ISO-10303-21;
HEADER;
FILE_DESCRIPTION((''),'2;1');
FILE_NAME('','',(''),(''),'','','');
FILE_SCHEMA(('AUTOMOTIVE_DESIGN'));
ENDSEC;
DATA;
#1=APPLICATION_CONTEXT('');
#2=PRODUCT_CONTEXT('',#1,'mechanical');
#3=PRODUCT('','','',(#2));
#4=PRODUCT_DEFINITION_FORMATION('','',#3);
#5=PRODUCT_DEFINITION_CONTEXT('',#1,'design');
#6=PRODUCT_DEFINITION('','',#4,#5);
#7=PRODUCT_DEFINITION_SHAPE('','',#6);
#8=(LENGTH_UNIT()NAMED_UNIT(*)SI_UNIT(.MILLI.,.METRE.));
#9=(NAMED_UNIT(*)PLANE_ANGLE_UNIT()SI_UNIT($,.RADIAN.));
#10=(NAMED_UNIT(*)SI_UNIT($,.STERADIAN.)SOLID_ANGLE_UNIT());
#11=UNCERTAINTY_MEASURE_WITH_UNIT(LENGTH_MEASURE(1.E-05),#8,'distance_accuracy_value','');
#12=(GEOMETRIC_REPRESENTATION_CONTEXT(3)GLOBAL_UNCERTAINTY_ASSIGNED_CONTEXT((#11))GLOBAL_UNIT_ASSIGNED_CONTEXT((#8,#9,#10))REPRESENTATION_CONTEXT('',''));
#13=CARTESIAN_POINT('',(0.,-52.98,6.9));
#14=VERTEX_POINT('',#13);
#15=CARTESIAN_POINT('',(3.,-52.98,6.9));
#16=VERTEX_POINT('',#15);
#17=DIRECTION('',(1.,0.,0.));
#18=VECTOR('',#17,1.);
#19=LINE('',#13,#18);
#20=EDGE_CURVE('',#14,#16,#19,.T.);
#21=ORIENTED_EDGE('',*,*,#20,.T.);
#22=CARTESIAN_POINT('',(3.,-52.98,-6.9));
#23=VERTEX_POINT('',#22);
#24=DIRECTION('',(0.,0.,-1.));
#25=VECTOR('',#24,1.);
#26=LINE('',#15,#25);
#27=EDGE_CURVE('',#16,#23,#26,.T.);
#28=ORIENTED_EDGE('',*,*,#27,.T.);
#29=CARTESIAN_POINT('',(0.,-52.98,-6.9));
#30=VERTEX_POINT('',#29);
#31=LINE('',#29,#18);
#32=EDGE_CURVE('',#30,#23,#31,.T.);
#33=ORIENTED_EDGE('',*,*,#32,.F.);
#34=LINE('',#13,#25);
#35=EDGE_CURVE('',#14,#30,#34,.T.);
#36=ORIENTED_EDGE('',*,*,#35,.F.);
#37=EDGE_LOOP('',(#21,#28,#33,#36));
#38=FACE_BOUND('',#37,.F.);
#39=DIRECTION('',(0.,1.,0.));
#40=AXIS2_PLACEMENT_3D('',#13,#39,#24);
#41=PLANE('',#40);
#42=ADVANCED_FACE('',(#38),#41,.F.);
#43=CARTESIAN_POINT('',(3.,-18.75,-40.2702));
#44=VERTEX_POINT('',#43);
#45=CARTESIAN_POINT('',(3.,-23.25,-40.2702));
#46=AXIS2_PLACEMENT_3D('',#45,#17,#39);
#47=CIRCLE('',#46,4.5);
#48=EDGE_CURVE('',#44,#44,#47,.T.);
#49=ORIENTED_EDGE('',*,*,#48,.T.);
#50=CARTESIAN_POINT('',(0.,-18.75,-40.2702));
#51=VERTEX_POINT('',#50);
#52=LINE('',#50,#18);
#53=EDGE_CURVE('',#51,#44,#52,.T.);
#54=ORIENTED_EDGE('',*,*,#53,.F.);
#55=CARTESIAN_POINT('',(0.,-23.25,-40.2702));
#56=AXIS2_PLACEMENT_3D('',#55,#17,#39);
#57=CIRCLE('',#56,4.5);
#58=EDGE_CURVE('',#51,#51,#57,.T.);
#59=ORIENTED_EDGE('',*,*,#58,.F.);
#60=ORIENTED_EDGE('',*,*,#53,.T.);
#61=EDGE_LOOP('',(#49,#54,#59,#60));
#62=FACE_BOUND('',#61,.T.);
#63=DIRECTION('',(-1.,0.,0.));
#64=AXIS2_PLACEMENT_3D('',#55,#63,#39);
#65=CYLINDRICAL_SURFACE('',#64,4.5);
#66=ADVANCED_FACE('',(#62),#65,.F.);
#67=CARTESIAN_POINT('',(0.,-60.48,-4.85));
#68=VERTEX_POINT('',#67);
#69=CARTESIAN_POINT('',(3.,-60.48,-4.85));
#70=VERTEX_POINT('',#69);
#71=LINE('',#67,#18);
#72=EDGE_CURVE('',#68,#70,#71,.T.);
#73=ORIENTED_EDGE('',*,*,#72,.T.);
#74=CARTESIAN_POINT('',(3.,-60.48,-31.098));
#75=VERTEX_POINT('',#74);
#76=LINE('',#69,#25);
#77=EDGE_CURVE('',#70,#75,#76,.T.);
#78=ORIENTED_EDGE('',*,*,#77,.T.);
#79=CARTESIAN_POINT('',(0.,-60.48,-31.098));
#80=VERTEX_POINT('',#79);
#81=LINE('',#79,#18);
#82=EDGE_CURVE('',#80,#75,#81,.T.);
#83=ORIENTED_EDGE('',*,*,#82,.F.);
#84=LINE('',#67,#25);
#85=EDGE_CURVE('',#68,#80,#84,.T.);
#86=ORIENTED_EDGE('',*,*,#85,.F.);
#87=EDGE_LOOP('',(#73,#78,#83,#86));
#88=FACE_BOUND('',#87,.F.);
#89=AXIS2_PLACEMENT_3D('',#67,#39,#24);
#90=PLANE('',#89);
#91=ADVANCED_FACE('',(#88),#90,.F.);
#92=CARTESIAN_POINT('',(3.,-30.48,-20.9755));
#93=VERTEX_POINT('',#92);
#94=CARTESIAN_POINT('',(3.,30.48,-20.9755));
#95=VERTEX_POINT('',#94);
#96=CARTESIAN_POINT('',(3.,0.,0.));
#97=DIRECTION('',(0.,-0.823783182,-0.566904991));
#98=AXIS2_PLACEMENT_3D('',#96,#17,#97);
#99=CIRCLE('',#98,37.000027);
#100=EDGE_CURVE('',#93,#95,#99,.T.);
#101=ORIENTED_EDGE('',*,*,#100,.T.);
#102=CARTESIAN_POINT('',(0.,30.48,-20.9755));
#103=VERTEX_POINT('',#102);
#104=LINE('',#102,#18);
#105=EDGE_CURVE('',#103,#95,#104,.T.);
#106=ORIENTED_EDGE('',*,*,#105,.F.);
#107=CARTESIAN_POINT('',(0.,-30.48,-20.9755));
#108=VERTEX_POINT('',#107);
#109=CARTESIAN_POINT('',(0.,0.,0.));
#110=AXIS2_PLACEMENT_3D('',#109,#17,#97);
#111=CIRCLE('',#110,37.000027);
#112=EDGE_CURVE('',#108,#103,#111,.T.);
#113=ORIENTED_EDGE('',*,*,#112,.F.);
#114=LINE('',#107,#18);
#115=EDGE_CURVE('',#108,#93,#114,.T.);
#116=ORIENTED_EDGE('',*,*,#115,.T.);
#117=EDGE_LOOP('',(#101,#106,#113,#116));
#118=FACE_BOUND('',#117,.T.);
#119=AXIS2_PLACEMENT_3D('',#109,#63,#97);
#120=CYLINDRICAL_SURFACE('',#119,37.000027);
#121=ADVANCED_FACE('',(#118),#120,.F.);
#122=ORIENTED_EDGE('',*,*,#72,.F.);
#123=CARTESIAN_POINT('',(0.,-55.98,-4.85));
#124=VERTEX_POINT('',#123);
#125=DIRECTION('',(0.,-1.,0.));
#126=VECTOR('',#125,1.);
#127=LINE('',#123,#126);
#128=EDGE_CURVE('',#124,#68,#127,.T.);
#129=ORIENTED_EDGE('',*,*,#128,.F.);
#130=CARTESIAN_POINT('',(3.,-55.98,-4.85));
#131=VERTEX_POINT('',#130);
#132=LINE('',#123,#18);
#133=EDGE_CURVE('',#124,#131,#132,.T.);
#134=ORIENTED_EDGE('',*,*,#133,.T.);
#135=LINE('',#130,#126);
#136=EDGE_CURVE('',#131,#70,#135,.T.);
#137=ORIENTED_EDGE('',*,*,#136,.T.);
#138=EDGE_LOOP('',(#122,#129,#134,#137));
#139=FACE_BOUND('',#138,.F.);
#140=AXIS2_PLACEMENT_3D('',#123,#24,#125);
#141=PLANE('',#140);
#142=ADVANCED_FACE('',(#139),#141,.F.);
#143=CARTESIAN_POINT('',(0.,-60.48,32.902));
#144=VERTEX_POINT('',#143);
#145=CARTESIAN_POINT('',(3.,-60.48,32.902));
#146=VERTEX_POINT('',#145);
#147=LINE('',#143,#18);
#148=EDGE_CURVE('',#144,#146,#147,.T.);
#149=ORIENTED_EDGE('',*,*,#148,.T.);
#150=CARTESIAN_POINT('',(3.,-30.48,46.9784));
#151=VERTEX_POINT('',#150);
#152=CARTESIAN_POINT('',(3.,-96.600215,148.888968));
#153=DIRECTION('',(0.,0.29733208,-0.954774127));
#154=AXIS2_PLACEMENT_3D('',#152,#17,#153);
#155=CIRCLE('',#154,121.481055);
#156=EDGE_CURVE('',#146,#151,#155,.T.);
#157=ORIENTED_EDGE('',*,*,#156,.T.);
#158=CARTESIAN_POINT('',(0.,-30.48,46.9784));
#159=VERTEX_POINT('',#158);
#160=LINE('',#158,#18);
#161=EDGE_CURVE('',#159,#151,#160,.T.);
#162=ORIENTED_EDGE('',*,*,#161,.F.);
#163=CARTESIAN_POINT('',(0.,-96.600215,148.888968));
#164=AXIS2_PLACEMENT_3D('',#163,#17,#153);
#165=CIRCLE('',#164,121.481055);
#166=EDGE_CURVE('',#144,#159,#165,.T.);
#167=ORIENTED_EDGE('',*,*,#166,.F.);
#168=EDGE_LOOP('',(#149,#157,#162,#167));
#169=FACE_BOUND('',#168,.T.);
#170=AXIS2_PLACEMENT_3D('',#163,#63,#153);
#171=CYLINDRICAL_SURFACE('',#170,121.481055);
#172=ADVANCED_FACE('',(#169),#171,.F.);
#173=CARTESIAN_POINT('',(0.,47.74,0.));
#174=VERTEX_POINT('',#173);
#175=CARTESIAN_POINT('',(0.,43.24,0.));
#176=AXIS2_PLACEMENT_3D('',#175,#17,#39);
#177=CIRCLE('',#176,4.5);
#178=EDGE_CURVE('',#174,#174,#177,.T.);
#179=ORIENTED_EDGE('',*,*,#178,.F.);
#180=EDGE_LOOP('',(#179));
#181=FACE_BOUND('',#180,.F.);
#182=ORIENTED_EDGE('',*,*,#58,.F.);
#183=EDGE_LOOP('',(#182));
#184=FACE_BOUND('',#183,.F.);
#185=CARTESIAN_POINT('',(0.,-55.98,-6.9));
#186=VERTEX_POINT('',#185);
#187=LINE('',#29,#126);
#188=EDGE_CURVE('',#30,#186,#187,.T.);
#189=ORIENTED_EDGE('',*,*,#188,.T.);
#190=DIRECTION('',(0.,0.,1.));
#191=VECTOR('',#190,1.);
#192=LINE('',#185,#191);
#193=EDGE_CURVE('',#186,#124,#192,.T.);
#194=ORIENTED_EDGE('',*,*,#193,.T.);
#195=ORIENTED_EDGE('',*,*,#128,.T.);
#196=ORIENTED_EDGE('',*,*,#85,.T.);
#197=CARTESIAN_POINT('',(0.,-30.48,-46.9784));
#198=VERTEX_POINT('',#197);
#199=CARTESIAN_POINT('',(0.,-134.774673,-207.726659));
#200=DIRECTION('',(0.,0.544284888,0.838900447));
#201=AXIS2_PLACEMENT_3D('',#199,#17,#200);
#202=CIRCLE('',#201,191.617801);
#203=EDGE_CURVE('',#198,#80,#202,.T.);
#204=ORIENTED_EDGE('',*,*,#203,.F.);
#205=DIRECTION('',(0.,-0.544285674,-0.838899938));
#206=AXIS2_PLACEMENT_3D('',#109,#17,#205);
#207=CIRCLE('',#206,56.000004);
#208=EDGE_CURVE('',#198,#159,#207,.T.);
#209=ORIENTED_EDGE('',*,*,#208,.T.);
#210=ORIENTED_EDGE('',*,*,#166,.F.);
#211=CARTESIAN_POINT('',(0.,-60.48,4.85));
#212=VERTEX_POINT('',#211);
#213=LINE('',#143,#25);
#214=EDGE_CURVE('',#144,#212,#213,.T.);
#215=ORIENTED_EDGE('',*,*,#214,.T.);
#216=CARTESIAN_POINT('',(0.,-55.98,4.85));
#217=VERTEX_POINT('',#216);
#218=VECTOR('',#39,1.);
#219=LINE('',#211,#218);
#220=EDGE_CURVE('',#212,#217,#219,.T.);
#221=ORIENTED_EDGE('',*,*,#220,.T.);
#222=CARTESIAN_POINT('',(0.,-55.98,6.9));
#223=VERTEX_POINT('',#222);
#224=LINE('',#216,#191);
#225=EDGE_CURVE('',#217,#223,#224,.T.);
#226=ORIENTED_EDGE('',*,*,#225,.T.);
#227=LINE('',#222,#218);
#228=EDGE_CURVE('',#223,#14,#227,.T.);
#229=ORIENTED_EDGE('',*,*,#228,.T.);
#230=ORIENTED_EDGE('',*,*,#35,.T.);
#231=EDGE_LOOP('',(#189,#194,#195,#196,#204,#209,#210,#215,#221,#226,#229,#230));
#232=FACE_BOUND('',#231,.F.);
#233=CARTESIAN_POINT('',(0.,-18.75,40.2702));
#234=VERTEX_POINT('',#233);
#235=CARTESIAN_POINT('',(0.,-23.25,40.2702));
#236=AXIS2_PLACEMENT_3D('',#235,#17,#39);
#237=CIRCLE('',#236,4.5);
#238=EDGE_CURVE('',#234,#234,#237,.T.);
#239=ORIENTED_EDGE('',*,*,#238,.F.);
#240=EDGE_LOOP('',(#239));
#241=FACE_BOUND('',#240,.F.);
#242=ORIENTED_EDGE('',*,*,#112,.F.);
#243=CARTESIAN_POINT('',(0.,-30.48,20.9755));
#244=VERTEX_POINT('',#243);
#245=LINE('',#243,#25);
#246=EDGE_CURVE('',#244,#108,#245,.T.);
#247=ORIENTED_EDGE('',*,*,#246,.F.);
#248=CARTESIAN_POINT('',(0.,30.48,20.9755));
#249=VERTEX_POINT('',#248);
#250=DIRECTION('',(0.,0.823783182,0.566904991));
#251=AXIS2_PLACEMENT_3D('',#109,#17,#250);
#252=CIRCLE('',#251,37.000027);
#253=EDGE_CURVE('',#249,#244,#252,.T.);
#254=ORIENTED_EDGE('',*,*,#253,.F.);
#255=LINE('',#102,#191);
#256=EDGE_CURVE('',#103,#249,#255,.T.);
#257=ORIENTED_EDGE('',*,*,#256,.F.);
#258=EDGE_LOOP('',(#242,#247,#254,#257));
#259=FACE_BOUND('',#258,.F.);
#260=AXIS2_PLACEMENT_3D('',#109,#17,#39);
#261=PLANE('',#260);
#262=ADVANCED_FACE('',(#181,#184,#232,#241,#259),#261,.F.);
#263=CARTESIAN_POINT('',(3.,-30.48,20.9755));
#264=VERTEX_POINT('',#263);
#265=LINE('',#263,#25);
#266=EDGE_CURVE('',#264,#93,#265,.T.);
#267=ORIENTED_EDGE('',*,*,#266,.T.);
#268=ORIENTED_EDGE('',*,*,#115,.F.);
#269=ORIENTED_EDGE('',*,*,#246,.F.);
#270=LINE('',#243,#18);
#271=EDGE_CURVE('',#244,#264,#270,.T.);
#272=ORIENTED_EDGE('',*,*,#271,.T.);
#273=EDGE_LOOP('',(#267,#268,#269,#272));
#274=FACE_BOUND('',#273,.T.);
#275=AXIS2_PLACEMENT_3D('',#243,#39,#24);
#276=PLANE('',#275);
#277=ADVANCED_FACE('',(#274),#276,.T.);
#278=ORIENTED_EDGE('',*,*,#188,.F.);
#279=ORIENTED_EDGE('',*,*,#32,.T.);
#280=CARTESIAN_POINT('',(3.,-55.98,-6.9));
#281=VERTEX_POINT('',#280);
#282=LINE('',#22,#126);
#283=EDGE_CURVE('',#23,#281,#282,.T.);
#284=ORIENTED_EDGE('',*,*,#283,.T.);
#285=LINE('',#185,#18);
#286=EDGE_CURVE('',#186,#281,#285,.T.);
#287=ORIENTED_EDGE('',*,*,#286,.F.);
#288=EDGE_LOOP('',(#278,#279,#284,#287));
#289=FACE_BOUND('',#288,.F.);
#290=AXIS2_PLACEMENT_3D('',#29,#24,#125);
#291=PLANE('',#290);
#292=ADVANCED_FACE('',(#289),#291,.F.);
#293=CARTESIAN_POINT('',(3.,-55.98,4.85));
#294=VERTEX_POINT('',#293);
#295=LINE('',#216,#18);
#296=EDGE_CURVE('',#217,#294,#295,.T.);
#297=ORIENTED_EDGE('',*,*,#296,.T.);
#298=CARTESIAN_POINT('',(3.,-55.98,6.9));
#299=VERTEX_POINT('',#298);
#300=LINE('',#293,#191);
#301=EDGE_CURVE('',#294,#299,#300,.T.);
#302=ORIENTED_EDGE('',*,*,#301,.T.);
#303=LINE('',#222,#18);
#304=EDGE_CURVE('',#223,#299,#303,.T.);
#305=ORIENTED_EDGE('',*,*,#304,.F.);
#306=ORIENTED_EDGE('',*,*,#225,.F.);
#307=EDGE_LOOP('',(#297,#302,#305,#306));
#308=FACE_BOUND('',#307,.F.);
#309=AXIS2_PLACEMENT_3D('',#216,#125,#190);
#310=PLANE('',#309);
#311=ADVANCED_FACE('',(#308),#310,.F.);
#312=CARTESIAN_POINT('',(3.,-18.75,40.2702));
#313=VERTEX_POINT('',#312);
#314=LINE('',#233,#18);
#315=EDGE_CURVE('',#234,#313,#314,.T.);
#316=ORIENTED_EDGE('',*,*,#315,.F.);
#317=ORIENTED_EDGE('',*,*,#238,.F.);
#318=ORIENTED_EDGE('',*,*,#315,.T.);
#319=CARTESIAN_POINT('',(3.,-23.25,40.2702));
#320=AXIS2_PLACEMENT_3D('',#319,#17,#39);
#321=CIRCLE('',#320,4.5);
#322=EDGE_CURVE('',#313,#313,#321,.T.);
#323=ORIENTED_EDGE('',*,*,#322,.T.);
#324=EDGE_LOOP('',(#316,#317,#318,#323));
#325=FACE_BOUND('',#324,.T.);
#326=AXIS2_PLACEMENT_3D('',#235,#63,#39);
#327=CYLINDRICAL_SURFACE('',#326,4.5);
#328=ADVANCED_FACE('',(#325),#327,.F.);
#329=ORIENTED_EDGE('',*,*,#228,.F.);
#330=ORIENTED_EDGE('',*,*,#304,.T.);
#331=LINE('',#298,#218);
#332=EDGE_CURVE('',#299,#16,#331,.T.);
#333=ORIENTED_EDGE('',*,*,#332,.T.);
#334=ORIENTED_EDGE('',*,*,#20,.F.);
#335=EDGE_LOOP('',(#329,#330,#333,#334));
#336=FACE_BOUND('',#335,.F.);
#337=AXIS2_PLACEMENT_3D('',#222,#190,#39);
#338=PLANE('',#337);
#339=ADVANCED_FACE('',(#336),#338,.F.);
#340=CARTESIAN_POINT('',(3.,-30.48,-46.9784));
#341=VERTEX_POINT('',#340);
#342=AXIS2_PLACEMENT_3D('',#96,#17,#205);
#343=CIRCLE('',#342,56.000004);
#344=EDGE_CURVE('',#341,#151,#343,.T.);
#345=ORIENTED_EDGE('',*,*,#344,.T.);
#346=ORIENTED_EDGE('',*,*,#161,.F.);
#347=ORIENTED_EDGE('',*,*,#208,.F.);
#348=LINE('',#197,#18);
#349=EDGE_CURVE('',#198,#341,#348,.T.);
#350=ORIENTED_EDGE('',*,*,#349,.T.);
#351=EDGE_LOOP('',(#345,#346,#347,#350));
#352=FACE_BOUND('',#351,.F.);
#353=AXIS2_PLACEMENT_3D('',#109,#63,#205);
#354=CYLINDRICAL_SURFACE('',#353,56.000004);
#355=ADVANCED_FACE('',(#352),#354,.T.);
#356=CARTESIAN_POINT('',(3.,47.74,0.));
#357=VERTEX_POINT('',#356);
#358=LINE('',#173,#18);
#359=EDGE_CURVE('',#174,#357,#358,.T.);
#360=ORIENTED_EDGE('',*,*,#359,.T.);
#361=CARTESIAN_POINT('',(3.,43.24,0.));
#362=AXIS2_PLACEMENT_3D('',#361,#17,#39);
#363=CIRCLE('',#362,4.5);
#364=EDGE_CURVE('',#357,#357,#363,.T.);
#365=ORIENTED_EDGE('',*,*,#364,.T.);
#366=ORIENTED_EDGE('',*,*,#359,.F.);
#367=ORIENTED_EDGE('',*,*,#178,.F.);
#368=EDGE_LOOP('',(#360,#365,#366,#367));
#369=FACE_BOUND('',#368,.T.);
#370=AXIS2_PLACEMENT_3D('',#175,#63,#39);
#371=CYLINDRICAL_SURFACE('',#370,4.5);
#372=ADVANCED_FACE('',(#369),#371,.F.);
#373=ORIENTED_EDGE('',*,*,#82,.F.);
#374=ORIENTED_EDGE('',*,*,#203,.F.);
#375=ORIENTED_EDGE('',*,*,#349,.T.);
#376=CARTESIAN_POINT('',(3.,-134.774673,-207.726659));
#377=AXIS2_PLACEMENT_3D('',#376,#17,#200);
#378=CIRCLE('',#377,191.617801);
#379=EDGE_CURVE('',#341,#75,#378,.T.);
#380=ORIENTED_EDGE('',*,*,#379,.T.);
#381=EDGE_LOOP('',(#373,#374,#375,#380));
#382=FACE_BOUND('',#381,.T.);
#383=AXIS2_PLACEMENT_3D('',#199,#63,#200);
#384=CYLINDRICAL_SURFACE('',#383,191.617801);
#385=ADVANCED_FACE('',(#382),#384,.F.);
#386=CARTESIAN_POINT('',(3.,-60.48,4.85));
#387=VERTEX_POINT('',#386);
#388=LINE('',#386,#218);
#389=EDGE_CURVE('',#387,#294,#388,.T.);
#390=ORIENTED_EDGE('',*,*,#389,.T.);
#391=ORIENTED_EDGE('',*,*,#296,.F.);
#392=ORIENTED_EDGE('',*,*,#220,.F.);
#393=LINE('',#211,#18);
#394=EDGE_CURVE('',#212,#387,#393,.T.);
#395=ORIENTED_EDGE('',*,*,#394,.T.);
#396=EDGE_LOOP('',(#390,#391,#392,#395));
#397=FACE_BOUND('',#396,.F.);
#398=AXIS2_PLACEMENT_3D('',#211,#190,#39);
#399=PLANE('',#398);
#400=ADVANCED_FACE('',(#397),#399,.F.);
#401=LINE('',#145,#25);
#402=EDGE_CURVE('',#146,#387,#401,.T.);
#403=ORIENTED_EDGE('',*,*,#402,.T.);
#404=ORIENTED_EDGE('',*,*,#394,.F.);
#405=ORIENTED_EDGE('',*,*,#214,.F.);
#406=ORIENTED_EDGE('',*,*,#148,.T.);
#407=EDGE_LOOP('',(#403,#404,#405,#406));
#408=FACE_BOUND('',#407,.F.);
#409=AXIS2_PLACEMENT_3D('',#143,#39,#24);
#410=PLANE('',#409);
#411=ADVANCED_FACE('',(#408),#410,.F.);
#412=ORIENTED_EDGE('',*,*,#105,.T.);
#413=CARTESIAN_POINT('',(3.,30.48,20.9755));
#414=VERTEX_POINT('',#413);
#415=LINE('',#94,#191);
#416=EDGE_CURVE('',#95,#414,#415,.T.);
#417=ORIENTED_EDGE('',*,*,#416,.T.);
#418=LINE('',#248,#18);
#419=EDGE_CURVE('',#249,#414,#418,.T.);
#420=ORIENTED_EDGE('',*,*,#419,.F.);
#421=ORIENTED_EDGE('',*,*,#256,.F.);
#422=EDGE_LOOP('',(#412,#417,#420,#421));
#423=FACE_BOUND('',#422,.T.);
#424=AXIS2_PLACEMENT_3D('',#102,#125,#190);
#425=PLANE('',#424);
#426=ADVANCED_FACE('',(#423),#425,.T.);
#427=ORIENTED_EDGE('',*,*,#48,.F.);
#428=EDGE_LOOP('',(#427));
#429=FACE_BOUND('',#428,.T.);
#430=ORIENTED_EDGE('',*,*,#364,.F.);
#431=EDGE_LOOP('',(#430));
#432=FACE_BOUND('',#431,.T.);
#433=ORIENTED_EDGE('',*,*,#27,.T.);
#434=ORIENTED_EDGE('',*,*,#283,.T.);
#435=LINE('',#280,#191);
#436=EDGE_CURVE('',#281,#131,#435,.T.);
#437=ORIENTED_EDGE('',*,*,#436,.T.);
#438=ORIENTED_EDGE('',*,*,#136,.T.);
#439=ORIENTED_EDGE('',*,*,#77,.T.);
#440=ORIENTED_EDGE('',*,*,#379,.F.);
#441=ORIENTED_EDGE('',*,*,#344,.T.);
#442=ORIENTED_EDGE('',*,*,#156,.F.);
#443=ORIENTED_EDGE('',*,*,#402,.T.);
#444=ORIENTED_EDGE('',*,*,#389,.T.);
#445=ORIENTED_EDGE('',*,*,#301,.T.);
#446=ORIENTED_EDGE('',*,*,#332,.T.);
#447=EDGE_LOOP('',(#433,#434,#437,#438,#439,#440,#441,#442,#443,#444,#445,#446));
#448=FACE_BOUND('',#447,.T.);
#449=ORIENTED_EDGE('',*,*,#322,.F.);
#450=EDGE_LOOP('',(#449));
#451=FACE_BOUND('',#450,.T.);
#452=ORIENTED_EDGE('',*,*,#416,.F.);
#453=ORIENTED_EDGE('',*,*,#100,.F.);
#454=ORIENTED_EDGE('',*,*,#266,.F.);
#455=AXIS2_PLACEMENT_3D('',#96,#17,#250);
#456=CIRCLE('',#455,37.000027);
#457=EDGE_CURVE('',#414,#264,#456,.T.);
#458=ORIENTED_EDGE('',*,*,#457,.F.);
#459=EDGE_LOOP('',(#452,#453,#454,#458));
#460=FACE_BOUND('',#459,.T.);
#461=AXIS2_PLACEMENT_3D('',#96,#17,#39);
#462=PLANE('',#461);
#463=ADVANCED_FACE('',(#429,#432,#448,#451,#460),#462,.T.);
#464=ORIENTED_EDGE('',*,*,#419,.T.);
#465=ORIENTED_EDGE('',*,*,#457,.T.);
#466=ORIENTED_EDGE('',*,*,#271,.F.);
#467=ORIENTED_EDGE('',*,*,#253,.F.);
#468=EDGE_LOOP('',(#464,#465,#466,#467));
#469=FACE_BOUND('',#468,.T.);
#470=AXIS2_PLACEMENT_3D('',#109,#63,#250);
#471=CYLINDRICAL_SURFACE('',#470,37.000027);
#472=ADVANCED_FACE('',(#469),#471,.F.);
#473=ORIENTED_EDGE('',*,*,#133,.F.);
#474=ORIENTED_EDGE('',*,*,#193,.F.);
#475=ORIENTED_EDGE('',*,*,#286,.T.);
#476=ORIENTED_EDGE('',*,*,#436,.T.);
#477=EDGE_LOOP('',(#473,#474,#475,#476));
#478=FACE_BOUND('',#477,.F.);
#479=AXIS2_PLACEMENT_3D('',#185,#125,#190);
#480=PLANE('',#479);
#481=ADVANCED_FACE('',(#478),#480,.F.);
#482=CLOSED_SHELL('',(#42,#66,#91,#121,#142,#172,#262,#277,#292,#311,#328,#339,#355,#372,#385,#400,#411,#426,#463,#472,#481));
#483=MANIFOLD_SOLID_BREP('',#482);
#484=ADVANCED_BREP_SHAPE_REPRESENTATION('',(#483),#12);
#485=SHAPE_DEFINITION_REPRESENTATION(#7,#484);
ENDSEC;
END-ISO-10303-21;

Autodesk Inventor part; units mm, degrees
ref_plane "YZ Plane" through (0, 0, 0) normal (1, 0, 0) x (0, 1, 0)
ref_plane "XZ Plane" through (0, 0, 0) normal (0, 1, 0) x (-1, 0, 0)
ref_plane "XY Plane" through (0, 0, 0) normal (0, 0, 1) x (1, 0, 0)
sketch "Sketch1" plane through (0, 0, 0) normal (1, 0, 0) x (0, 1, 0)
  line L0 (30.48, -20.9755) -> (30.48, 20.9755)
  line L1 (-30.48, 20.9755) -> (-30.48, -20.9755)
  arc A0 (30.48, 20.9755) -> (-30.48, 20.9755) centre (0, 0) ccw
  arc A1 (-30.48, -20.9755) -> (30.48, -20.9755) centre (0, 0) ccw
  arc A2 (-30.48, -46.9784) -> (-30.48, 46.9784) centre (0, 0) ccw
  arc A3 (-60.48, 32.902) -> (-30.48, 46.9784) centre (-96.5998, 148.8879) ccw
  arc A4 (-30.48, -46.9784) -> (-60.48, -31.098) centre (-134.7727, -207.7233) ccw
  line L2 (56, 0) -> (0, 0) construction
  line L3 (0, 0) -> (-28, 48.4974) construction
  line L4 (0, 0) -> (-28, -48.4974) construction
  line L5 (30.48, 0) -> (56, 0) construction
  line L6 (-18.5, -32.0429) -> (-28, -48.4974) construction
  line L7 (-28, 48.4974) -> (-18.5, 32.0429) construction
  circle A5 centre (43.24, 0) radius 4.5
  circle A6 centre (-23.25, -40.2702) radius 4.5
  circle A7 centre (-23.25, 40.2702) radius 4.5
  line L8 (-60.48, 4.85) -> (-55.98, 4.85)
  line L9 (-55.98, 4.85) -> (-55.98, 6.9)
  line L10 (-55.98, 6.9) -> (-52.98, 6.9)
  line L11 (-52.98, 6.9) -> (-52.98, -6.9)
  line L12 (-52.98, -6.9) -> (-55.98, -6.9)
  line L13 (-55.98, -6.9) -> (-55.98, -4.85)
  line L14 (-55.98, -4.85) -> (-60.48, -4.85)
  line L15 (-60.48, 32.902) -> (-60.48, 4.85)
  line L16 (-60.48, -4.85) -> (-60.48, -31.098)
  point P0 (-72.3678, 0)
  point P1 (-30.48, 0)
  point P2 (-52.98, 0)
  dimension "d1" = 60.96
  dimension "d2" = 30.48
  dimension "d3" = 37
  dimension "d4" = 37
  dimension "d5" = 19
  dimension "d6" = 64
  dimension "d7" = 120
  dimension "d8" = 120
  dimension "d9" = 9
  dimension "d10" = 9
  dimension "d11" = 9
  dimension "d14" = 9.7
  dimension "d15" = 13.8
  dimension "d16" = 4.85
  dimension "d17" = 7.5
  dimension "d18" = 4.5
  dimension "d19" = 30
  dimension "d20" = 30
extrude "Extrusion1" add sketch "Sketch1" along normal blind 3
properties part number "inner"
